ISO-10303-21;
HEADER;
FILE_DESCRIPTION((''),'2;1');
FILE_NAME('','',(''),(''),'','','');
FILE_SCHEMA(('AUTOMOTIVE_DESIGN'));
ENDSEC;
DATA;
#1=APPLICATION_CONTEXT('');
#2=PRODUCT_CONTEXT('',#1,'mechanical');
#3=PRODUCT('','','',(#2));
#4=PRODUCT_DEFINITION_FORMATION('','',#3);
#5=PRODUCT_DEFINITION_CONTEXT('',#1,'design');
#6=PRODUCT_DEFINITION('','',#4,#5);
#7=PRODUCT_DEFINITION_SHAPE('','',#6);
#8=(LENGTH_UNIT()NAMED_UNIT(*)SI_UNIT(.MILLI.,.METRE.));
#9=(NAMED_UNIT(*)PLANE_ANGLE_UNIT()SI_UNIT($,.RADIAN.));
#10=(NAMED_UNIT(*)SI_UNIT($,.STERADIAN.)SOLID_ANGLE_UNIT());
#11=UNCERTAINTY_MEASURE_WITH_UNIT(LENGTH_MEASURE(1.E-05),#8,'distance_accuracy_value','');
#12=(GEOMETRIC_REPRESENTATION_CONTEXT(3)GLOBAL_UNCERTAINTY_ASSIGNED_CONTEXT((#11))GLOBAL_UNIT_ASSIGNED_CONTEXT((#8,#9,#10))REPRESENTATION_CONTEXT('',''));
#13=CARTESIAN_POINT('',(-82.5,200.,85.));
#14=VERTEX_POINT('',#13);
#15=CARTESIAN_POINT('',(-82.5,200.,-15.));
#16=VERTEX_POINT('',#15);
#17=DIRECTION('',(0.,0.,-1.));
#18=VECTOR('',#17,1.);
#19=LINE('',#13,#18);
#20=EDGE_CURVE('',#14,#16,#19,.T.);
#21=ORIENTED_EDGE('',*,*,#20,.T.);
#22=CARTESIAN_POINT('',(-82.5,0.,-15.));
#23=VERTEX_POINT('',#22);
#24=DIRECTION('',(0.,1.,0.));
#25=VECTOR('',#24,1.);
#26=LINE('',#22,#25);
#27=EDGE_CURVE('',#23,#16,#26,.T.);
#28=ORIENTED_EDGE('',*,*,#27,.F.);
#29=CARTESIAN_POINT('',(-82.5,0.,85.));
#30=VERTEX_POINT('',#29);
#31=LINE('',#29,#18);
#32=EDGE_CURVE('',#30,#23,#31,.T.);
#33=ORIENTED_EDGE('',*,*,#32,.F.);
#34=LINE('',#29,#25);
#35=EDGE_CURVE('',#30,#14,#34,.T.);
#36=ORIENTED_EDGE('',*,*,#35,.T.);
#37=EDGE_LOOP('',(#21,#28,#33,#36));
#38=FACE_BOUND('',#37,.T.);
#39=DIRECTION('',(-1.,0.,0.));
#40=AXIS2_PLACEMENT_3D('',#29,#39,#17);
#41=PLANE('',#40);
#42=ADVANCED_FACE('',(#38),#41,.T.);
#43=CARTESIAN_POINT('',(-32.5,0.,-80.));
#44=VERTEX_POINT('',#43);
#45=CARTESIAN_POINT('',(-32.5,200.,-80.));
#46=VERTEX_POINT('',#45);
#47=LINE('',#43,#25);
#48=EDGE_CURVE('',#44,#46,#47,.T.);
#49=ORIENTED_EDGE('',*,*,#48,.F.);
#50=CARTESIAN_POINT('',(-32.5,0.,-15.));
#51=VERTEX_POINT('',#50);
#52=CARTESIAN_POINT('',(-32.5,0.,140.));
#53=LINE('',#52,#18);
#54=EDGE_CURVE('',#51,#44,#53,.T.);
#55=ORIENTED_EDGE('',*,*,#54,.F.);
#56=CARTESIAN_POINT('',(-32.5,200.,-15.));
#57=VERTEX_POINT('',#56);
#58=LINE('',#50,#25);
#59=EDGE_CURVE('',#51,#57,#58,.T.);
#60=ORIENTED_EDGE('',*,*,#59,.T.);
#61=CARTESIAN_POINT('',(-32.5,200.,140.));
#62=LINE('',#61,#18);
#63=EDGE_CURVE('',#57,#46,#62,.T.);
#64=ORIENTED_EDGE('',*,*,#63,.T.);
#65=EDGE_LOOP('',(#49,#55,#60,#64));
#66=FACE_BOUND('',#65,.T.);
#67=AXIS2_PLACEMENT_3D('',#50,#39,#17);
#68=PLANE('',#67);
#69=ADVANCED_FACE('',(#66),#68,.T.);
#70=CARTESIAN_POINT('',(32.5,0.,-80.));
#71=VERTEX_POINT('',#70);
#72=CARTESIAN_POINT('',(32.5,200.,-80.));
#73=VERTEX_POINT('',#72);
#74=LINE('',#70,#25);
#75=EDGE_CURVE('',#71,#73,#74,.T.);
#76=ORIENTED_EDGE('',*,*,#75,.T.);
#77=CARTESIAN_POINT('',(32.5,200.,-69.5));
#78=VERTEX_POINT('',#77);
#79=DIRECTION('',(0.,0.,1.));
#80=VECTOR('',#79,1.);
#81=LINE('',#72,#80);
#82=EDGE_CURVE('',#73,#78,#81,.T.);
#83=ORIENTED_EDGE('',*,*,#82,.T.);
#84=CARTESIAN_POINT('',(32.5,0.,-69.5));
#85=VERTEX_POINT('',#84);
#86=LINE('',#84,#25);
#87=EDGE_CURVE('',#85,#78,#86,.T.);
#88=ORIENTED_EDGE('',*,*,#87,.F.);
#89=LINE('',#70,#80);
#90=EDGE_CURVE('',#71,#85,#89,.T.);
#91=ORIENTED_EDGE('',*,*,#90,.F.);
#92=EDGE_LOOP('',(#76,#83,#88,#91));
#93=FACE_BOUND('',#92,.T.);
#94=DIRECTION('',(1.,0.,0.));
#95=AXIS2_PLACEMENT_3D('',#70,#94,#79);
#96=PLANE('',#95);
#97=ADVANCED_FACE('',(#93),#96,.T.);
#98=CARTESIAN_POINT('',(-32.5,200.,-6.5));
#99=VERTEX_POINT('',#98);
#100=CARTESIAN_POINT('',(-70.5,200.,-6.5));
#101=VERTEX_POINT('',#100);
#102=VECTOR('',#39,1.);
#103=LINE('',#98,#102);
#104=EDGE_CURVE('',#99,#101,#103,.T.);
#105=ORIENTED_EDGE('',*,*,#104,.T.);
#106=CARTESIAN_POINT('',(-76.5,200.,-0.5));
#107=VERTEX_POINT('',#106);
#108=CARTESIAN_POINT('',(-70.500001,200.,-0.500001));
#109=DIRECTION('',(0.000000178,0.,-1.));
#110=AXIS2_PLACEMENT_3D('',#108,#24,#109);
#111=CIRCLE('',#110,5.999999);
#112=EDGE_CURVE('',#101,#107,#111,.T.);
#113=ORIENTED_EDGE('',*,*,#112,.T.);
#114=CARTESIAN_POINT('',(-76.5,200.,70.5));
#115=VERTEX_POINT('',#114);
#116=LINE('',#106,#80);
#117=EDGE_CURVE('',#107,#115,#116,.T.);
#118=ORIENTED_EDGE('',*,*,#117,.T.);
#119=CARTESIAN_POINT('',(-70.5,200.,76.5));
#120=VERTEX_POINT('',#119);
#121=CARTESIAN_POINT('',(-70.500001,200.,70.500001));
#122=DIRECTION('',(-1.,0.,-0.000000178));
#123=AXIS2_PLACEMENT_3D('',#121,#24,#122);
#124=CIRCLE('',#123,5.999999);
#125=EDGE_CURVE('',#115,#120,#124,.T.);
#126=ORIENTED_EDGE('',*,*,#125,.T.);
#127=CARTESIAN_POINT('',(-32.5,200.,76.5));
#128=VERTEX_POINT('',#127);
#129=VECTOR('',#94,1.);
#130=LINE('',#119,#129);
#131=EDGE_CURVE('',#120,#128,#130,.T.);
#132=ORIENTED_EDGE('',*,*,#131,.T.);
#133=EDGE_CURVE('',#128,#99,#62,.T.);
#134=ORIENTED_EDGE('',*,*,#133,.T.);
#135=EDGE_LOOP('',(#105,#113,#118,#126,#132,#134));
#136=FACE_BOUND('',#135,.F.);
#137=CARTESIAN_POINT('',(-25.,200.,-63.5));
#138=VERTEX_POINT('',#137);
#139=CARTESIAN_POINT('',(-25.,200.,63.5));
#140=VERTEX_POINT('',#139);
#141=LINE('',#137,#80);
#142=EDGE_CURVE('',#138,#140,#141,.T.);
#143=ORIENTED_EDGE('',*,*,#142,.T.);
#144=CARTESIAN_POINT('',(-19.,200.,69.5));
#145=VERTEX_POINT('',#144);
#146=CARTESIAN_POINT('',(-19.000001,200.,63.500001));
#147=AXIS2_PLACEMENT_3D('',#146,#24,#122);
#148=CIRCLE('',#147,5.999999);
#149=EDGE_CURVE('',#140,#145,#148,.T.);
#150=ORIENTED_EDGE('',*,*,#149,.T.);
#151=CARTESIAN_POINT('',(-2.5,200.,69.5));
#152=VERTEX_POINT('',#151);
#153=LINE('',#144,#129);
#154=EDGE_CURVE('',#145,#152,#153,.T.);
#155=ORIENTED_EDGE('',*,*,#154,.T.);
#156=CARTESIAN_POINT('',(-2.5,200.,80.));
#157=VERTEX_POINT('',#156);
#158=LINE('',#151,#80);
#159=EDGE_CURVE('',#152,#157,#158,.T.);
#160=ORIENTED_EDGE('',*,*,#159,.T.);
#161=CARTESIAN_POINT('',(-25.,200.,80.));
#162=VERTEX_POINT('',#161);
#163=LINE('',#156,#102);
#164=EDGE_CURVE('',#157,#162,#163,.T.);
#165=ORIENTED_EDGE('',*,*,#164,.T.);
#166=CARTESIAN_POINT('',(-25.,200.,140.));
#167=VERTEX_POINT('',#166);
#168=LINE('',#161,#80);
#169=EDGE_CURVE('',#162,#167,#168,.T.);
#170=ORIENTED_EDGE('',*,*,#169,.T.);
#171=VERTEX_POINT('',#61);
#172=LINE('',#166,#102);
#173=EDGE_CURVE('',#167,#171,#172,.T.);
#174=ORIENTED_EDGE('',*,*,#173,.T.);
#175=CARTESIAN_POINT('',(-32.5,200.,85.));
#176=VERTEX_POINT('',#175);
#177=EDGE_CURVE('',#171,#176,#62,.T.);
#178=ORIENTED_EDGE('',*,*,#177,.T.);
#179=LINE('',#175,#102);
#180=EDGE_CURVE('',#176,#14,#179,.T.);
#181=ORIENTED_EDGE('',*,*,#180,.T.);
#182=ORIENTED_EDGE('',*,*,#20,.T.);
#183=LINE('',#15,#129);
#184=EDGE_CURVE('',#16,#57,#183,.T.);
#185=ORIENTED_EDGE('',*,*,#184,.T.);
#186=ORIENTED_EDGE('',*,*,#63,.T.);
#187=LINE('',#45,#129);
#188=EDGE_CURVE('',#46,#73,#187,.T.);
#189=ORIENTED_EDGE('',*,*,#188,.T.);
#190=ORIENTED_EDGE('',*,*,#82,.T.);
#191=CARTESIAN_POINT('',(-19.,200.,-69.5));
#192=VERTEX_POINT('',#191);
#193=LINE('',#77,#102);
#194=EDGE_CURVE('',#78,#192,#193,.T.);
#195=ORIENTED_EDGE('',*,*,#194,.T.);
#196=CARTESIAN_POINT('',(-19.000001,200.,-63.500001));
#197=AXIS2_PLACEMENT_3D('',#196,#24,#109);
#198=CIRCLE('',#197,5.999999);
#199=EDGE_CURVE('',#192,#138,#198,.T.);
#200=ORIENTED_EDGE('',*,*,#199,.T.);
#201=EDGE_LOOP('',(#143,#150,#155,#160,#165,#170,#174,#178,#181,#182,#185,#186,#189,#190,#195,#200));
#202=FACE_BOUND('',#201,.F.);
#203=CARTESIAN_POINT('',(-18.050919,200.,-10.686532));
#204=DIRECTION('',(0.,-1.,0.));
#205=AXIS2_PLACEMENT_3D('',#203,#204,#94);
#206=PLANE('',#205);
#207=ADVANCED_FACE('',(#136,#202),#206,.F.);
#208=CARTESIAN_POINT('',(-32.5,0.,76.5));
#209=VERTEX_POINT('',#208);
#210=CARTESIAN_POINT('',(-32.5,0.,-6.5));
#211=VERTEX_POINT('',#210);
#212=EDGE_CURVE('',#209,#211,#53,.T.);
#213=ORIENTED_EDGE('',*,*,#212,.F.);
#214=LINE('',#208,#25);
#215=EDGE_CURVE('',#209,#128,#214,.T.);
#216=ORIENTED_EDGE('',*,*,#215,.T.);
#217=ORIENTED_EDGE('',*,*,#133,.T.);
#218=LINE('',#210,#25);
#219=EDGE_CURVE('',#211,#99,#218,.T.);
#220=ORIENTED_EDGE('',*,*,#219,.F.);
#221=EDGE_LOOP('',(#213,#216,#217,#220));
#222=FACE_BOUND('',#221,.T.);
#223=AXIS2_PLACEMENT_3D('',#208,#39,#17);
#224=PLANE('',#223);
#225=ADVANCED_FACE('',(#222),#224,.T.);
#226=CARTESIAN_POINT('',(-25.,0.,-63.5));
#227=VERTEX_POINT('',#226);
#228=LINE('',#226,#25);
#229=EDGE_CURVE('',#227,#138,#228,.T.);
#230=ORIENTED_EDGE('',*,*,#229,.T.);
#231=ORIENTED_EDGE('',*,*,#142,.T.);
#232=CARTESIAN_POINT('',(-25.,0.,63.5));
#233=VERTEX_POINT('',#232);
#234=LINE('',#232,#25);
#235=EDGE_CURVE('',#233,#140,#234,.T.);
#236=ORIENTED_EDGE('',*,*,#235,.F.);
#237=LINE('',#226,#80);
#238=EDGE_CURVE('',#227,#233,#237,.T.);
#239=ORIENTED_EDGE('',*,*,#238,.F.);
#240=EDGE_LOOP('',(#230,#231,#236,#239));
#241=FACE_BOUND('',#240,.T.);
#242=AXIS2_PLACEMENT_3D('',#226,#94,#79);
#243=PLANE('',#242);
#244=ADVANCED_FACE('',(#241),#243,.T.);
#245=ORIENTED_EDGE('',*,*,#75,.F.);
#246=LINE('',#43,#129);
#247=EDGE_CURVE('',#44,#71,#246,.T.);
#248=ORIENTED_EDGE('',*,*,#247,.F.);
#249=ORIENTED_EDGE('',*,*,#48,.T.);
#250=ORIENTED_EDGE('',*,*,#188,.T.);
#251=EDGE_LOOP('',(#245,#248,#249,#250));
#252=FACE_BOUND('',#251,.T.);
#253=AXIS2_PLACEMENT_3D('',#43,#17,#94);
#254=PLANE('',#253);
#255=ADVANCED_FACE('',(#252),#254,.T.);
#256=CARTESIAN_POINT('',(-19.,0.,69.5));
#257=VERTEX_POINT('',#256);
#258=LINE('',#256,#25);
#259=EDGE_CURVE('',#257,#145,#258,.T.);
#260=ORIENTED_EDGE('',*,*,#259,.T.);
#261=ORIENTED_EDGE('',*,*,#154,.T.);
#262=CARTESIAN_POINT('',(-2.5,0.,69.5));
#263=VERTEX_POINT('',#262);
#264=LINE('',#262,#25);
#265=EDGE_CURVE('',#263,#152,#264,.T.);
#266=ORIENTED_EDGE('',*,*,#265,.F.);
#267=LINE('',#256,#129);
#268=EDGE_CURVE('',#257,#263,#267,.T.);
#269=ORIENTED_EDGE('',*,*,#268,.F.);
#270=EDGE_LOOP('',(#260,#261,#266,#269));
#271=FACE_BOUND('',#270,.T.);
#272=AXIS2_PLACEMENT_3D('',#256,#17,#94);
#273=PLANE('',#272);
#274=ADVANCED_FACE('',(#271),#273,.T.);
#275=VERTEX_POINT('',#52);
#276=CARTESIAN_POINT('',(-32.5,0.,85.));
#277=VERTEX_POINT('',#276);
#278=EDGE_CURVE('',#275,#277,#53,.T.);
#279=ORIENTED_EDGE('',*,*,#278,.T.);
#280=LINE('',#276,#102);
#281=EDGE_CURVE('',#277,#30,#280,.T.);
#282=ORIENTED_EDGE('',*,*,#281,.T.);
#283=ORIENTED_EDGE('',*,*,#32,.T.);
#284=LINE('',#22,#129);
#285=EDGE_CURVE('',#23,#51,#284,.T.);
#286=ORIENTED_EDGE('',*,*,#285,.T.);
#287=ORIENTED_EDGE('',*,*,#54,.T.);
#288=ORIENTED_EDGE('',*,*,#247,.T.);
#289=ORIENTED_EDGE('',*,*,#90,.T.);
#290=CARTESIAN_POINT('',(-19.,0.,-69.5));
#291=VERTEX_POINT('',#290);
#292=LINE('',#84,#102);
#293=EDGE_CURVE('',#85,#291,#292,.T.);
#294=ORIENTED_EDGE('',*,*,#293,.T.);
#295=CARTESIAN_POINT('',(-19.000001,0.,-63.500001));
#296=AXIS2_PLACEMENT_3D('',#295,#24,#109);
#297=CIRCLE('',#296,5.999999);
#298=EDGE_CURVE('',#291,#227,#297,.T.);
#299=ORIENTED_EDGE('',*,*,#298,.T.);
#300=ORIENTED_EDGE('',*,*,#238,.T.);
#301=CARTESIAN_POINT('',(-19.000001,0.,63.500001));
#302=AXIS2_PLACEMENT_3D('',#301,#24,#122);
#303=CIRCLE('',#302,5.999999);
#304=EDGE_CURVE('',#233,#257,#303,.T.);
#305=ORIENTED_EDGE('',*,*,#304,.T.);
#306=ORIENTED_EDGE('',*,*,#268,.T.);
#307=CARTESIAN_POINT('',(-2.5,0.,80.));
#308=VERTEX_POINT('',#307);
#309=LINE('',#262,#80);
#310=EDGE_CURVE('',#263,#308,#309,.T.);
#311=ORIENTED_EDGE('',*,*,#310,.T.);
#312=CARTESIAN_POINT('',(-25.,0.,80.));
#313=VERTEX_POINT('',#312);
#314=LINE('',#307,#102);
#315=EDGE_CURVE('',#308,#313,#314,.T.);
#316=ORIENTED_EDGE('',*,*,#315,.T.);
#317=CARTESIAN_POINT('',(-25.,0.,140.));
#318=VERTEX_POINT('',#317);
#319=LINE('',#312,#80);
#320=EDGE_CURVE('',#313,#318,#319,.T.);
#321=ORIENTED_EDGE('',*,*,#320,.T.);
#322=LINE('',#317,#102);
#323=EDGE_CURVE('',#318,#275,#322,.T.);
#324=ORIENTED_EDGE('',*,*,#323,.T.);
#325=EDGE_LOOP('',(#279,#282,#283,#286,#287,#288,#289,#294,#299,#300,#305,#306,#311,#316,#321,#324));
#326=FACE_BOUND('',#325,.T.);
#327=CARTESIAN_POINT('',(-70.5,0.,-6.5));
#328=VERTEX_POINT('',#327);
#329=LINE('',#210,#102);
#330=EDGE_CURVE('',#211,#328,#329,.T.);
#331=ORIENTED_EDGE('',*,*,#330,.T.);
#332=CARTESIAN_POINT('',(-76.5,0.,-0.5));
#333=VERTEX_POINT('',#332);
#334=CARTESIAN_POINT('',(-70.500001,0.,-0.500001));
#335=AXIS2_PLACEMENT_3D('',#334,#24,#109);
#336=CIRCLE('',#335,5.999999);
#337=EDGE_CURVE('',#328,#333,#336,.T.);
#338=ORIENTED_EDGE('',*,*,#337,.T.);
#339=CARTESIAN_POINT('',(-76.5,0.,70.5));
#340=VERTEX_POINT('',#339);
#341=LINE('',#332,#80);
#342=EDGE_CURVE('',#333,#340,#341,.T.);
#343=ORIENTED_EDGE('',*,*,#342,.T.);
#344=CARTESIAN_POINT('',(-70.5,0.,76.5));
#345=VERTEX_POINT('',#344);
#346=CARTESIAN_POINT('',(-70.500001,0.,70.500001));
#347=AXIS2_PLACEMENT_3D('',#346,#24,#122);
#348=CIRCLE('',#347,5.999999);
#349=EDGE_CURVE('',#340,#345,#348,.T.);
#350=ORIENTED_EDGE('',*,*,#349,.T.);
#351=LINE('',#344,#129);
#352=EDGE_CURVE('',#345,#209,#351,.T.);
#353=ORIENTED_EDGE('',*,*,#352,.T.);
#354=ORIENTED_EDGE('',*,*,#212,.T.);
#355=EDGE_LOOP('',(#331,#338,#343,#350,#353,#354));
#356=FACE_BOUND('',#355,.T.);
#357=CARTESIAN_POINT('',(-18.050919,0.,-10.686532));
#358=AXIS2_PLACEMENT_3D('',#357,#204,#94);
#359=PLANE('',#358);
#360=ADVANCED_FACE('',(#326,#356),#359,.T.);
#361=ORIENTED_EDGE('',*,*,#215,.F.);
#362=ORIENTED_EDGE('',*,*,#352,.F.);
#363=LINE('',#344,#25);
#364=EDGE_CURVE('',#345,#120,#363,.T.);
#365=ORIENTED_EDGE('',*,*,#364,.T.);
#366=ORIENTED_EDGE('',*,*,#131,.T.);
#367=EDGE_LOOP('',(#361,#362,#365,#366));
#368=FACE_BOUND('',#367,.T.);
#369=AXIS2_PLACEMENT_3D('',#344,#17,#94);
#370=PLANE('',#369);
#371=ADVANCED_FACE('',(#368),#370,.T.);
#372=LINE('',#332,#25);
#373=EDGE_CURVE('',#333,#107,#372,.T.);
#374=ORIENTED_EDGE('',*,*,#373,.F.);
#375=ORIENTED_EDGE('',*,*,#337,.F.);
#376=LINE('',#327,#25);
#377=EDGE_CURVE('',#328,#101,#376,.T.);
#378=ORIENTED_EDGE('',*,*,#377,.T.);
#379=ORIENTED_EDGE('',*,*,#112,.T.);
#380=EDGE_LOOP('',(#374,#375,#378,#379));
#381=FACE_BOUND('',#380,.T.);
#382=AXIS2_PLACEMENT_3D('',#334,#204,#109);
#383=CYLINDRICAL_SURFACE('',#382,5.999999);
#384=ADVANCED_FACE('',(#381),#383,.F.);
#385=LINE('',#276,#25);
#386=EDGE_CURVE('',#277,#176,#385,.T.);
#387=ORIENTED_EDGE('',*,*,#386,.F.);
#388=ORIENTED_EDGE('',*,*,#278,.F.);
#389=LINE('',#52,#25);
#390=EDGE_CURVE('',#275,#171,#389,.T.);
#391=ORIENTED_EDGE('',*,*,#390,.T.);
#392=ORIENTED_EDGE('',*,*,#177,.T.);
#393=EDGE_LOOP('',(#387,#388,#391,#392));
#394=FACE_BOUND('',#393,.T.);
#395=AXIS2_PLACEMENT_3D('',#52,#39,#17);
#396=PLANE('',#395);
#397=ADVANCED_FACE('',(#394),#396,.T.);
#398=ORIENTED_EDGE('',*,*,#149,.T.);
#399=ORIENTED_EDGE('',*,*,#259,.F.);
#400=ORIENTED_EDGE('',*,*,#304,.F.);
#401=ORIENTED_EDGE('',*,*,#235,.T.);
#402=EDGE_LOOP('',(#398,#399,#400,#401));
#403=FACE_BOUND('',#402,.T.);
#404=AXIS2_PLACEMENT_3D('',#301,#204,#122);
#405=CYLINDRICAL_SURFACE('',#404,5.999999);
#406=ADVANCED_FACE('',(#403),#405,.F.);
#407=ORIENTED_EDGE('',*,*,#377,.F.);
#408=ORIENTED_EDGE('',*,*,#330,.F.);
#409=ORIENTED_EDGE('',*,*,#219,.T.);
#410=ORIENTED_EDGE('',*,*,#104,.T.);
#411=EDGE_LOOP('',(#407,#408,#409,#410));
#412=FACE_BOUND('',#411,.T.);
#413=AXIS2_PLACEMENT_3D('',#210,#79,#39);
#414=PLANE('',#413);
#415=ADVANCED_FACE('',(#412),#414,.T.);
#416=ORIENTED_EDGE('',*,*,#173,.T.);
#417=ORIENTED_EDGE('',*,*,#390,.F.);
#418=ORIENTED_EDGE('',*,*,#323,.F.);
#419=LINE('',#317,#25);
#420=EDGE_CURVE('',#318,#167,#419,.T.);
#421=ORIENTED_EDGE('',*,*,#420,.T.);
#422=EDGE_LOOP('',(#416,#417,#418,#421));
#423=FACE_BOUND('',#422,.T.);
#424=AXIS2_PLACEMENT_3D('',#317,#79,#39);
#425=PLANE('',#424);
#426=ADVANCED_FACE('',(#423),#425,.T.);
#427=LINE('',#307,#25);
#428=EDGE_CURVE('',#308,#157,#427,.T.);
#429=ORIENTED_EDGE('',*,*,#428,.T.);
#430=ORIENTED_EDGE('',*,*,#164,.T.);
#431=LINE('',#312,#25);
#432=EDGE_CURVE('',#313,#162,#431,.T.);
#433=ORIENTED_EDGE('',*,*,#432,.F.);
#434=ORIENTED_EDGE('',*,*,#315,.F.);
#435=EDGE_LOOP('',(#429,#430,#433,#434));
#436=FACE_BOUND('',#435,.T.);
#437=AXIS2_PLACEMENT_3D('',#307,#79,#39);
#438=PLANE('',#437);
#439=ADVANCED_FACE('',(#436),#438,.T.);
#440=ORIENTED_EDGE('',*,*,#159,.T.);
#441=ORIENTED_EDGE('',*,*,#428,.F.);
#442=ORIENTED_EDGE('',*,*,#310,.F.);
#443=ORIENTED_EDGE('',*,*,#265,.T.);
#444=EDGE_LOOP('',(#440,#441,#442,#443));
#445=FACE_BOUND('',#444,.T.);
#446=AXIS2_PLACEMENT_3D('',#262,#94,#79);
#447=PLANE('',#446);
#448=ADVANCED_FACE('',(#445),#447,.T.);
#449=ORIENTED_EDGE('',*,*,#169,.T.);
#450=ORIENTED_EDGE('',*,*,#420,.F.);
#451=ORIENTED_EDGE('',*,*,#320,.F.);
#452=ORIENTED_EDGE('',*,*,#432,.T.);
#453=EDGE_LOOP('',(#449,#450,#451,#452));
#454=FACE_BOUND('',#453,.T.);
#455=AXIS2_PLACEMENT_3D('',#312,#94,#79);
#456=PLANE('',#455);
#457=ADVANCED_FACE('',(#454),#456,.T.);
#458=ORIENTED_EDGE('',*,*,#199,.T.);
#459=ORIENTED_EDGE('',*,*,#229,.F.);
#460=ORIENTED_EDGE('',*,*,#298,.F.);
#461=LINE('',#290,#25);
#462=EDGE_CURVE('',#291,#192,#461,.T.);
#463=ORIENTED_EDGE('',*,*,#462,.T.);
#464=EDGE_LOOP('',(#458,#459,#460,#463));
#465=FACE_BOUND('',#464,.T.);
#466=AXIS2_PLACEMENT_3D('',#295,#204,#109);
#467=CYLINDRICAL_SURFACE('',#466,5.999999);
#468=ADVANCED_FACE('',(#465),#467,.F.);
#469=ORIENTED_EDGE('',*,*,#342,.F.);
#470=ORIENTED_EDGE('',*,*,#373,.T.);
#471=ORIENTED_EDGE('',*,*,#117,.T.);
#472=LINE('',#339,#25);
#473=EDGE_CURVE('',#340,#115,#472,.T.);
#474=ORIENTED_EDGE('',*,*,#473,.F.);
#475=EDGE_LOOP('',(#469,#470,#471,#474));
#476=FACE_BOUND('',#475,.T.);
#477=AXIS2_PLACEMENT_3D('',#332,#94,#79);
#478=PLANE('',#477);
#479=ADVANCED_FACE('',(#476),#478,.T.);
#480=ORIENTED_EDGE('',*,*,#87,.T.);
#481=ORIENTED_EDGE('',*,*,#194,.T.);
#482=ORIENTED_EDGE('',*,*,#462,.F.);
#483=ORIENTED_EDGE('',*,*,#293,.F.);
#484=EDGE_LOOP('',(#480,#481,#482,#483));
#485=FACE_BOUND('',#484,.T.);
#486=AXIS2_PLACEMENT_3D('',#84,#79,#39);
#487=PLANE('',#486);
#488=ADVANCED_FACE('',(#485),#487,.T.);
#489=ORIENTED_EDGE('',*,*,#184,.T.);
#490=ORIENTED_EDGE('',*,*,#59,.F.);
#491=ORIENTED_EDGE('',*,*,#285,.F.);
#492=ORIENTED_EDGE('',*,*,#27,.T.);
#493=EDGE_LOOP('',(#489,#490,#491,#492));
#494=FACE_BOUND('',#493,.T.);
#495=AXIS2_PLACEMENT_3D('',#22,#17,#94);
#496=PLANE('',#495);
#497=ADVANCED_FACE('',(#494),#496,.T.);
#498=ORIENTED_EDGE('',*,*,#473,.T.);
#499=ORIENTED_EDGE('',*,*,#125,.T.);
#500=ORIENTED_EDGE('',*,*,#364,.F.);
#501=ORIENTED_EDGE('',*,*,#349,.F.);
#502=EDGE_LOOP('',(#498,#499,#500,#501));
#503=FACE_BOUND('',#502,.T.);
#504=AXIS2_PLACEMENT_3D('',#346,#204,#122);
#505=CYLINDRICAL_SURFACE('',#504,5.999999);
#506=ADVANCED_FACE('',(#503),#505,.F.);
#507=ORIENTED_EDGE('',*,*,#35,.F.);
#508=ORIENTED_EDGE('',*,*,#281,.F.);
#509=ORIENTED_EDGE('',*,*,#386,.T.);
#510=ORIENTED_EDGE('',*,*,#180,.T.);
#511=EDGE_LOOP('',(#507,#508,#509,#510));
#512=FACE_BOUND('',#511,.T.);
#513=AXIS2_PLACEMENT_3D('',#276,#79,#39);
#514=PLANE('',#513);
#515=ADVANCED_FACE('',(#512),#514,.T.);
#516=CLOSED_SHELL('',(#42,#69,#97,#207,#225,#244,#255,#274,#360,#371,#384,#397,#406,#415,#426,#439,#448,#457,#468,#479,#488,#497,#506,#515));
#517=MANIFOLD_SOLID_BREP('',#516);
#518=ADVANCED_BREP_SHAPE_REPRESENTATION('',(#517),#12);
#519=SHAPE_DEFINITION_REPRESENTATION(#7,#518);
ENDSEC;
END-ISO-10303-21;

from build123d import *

# Parameters (mm, degrees)
F1_DEPTH = 200


with BuildPart() as f1:
    # F0 (on Front) → F1 (new body)
    with BuildSketch(Plane.XZ):
        with BuildLine():
            Line((-2.5, 69.5), (-2.5, 80))
            Line((-2.5, 80), (-25, 80))
            Line((-25, 80), (-32.5, 80))
            Line((-32.5, 80), (-32.5, 76.5))
            Line((-32.5, 76.5), (-32.5, -6.5))
            Line((-32.5, -6.5), (-32.5, -15))
            Line((-32.5, -15), (-32.5, -80))
            Line((-32.5, -80), (-25, -80))
            Line((-25, -80), (32.5, -80))
            Line((32.5, -80), (32.5, -69.5))
            Line((32.5, -69.5), (-19, -69.5))
            ThreePointArc((-19, -69.5), (-23.242641, -67.742641), (-25, -63.5))
            Line((-25, -63.5), (-25, 63.5))
            ThreePointArc((-25, 63.5), (-23.242641, 67.742641), (-19, 69.5))
            Line((-19, 69.5), (-2.5, 69.5))
        make_face()
        Polygon((-32.5, 80), (-25, 80), (-25, 140), (-32.5, 140), (-32.5, 85), align=None)
        with BuildLine():
            Line((-32.5, 76.5), (-32.5, 80))
            Line((-32.5, 80), (-32.5, 85))
            Line((-32.5, 85), (-82.5, 85))
            Line((-82.5, 85), (-82.5, -15))
            Line((-82.5, -15), (-32.5, -15))
            Line((-32.5, -15), (-32.5, -6.5))
            Line((-32.5, -6.5), (-70.5, -6.5))
            ThreePointArc((-70.5, -6.5), (-74.742641, -4.742641), (-76.5, -0.5))
            Line((-76.5, -0.5), (-76.5, 70.5))
            ThreePointArc((-76.5, 70.5), (-74.742641, 74.742641), (-70.5, 76.5))
            Line((-70.5, 76.5), (-32.5, 76.5))
        make_face()
    extrude(amount=-F1_DEPTH)


solid = f1.part
